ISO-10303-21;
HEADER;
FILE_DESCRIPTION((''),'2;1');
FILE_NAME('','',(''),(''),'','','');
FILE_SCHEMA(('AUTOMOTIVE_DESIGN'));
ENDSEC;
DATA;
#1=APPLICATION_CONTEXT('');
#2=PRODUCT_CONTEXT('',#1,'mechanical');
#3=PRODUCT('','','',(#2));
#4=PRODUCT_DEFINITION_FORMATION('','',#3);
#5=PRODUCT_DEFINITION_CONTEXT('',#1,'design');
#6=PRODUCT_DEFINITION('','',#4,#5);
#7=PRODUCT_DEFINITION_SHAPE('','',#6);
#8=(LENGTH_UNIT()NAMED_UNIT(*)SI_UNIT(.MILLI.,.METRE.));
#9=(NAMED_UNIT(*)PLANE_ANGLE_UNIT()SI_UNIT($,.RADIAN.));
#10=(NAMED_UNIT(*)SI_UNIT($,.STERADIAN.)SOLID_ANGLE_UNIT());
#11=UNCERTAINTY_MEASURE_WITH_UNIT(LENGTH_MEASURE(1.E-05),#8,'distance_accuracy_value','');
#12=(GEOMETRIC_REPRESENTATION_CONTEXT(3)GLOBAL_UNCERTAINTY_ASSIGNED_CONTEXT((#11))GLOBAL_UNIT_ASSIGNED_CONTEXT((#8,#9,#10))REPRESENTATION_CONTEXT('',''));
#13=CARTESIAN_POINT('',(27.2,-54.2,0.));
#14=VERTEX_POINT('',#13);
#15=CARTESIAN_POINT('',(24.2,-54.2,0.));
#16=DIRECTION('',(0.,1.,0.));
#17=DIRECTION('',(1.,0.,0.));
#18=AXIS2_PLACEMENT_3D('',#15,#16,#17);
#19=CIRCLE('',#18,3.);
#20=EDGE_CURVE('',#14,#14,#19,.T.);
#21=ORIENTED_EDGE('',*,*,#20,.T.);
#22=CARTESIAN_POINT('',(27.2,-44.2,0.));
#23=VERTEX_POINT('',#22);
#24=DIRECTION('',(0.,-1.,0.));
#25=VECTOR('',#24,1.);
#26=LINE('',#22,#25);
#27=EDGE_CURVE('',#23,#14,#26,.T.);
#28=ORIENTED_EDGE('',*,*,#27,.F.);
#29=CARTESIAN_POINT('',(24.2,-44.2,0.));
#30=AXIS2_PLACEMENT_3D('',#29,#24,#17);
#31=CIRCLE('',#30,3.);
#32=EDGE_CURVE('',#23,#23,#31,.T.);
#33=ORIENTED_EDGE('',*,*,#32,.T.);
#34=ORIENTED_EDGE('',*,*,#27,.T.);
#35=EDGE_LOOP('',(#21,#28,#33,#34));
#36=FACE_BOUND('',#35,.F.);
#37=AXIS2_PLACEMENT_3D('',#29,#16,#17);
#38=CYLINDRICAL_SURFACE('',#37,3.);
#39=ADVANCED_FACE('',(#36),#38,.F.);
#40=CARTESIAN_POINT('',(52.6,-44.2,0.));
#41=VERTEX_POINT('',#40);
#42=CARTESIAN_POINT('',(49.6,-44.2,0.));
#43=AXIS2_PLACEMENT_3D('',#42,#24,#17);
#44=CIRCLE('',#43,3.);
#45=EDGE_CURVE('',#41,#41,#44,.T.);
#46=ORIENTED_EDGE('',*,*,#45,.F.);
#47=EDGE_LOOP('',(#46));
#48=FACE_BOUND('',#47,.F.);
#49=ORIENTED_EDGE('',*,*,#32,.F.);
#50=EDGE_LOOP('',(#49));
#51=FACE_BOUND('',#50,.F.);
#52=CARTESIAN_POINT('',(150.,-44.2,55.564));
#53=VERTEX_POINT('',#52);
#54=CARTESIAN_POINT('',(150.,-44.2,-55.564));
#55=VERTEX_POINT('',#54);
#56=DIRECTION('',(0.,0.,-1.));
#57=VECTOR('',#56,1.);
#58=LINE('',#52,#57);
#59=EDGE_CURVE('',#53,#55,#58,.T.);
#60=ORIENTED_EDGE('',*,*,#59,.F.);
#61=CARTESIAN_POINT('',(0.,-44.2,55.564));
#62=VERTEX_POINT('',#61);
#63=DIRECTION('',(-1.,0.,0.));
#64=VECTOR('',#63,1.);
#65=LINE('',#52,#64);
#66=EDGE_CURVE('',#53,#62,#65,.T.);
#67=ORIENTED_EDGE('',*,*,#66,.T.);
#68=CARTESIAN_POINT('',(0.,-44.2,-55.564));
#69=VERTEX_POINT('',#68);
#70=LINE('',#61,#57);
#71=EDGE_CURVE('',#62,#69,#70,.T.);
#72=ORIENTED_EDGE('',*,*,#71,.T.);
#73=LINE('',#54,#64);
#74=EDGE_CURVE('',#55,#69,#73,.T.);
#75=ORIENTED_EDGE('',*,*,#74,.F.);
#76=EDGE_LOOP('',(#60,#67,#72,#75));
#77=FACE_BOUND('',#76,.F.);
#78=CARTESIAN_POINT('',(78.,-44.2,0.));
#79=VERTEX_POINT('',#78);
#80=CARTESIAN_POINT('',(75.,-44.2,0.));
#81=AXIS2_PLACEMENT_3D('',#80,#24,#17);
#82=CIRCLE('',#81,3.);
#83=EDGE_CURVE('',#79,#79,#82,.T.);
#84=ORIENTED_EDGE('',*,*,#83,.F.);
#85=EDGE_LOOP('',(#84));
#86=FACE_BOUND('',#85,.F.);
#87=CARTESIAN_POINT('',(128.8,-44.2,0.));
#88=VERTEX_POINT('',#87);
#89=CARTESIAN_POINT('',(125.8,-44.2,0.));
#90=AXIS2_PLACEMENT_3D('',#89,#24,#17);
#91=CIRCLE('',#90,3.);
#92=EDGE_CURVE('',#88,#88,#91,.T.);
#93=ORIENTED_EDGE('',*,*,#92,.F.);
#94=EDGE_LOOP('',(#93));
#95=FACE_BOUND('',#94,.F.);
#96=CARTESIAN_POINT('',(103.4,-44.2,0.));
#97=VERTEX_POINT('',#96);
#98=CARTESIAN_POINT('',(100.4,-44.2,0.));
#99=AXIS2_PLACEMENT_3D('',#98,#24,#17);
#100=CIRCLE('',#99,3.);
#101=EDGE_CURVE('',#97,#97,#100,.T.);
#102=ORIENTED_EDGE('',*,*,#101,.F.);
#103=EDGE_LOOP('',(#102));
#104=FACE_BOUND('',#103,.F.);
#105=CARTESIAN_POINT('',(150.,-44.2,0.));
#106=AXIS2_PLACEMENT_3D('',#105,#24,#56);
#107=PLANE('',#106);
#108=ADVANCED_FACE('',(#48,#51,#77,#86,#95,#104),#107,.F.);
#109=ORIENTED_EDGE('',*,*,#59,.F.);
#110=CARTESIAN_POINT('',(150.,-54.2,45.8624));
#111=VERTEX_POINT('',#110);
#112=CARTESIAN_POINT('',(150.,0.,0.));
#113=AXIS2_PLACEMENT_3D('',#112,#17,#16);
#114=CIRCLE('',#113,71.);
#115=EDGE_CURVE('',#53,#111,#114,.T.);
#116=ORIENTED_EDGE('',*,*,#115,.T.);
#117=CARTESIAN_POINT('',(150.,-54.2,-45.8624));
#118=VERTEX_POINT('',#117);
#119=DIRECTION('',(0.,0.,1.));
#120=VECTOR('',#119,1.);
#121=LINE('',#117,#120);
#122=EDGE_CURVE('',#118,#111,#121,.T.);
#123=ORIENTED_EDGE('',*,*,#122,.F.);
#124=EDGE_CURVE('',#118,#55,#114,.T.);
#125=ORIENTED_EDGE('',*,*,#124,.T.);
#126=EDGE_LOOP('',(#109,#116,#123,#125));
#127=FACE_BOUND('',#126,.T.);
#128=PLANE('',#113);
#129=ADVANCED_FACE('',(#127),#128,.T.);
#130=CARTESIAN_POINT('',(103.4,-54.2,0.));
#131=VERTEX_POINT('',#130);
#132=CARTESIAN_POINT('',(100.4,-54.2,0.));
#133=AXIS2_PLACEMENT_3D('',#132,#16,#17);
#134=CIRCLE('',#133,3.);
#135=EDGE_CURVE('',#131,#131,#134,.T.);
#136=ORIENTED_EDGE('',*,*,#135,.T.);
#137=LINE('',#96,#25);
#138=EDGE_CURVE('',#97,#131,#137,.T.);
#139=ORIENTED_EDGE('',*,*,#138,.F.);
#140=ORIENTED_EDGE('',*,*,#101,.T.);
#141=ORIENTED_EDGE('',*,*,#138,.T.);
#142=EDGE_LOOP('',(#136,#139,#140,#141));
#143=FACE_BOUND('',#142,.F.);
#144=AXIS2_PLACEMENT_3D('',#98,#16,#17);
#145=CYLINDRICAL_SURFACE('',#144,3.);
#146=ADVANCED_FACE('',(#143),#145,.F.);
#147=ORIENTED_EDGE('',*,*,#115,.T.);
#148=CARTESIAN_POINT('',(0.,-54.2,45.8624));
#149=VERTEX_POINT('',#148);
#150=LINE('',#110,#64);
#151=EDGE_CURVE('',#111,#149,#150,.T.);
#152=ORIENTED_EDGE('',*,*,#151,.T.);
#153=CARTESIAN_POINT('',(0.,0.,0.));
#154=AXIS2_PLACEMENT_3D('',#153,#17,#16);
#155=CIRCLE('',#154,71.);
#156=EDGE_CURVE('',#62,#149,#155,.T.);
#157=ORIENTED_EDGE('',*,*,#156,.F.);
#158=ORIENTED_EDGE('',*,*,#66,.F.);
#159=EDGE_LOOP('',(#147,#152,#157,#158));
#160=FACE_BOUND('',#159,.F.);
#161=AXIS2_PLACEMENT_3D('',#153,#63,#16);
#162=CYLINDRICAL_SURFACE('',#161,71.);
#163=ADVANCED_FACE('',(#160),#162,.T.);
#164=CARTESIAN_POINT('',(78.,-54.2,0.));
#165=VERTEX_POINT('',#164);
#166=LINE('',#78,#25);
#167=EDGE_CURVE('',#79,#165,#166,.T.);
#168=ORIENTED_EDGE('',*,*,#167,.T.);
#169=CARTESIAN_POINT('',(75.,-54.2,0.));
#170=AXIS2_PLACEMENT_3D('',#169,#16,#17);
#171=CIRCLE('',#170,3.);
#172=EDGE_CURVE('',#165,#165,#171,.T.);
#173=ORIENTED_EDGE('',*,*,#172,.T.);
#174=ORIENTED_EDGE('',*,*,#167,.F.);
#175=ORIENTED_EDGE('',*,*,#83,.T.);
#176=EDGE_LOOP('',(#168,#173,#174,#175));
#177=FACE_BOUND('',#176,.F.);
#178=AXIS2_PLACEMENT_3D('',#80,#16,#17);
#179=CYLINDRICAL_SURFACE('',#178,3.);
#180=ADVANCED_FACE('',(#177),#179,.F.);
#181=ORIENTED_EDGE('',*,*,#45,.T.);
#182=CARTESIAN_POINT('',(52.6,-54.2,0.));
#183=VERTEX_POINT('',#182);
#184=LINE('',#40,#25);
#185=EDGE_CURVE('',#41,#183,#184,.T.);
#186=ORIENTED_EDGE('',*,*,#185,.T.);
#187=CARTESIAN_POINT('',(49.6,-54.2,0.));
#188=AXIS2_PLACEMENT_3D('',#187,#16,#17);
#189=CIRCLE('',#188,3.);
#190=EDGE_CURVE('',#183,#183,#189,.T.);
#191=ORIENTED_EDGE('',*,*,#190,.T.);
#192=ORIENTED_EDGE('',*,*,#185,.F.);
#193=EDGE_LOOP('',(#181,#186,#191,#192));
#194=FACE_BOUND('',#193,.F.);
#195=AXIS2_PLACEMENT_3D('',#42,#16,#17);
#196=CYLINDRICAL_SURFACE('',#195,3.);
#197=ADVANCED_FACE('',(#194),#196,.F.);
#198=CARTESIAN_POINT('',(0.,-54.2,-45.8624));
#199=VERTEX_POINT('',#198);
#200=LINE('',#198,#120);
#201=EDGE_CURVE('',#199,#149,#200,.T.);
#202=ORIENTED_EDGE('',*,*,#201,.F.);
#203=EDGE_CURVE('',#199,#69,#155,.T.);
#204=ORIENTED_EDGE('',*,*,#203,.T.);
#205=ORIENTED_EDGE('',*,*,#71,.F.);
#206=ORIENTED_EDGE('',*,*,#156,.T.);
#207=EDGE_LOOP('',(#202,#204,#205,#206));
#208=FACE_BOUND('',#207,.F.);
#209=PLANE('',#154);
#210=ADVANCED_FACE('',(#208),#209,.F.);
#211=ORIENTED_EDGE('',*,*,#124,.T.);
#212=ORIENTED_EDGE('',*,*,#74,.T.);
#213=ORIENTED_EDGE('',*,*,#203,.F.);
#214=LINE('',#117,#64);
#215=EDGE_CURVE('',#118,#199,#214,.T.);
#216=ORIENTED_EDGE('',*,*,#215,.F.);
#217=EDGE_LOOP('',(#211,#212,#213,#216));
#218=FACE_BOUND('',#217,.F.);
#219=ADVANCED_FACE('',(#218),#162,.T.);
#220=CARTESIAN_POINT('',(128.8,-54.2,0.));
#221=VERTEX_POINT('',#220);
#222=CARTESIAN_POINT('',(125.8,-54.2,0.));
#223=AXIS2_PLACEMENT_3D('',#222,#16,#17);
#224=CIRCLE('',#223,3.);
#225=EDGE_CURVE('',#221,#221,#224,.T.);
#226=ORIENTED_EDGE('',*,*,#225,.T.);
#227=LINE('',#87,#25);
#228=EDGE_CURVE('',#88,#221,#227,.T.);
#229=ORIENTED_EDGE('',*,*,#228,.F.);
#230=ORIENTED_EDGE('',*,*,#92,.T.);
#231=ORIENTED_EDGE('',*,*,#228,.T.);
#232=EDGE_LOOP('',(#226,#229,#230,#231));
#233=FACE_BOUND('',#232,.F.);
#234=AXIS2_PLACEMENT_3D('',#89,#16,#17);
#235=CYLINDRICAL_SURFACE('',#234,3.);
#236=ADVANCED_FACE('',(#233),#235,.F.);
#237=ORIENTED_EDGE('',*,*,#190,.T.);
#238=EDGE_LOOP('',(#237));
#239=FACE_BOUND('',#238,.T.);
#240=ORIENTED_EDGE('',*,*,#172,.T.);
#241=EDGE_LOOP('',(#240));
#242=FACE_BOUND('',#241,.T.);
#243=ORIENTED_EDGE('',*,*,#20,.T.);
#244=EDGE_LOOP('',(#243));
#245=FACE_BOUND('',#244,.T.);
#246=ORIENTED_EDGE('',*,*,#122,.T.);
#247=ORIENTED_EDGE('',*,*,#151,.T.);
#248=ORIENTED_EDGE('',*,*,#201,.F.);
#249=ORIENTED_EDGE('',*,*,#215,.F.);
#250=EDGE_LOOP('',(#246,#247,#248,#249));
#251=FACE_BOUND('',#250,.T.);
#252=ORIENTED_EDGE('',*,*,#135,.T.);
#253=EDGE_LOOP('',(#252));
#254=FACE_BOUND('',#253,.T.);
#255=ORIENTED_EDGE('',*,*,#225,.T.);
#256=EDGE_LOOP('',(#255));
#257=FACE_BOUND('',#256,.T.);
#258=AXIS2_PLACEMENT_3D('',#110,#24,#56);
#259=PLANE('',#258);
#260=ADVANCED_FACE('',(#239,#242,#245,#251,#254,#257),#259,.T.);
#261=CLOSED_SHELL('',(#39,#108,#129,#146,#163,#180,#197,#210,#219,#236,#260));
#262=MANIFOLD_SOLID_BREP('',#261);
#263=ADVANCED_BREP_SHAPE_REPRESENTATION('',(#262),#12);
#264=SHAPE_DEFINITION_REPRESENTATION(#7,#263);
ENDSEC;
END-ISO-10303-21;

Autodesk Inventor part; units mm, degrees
ref_plane "YZ Plane" through (0, 0, 0) normal (1, 0, 0) x (0, 1, 0)
ref_plane "XZ Plane" through (0, 0, 0) normal (0, 1, 0) x (-1, 0, 0)
ref_plane "XY Plane" through (0, 0, 0) normal (0, 0, 1) x (1, 0, 0)
sketch "Sketch1" plane through (0, 0, 0) normal (1, 0, 0) x (0, 1, 0)
  circle A0 centre (0, 0) radius 71
  dimension "d0" = 142
extrude "Extrusion1" add sketch "Sketch1" along normal blind 150
sketch "Sketch2" plane through (150, 0, 0) normal (1, 0, 0) x (0, 0, -1)
  line L0 (0, 0) -> (0, -44.2)
  circle A0 centre (0, 0) radius 71 projected
  line L1 (-55.564, -44.2) -> (55.564, -44.2)
  dimension "d3" = 44.2
extrude "Extrusion2" cut sketch "Sketch2" against normal blind 150 contours A0 L1 picked at (-0.2063, 32.437)
sketch "Sketch3" plane through (150, 0, 0) normal (1, 0, 0) x (0, 0, -1)
  line L0 (0, 0) -> (0, -54.2)
  arc A0 (-55.564, -44.2) -> (55.564, -44.2) centre (0, 0) ccw projected
  line L1 (-45.8624, -54.2) -> (45.8624, -54.2)
  dimension "d6" = 54.2
extrude "Extrusion3" cut sketch "Sketch3" against normal blind 150
sketch "Sketch6" plane through (150, -44.2, 55.564) normal (0, 1, 0) x (1, 0, 0)
  line L0 (-150, 55.564) -> (-75, 55.564)
  circle A0 centre (-75, 55.564) radius 3
  line L1 (-75, 55.564) -> (-49.6, 55.564)
  line L2 (-49.6, 55.564) -> (-24.2, 55.564)
  line L3 (-75, 55.564) -> (-100.4, 55.564)
  line L4 (-100.4, 55.564) -> (-125.8, 55.564)
  circle A1 centre (-100.4, 55.564) radius 3
  circle A2 centre (-125.8, 55.564) radius 3
  circle A3 centre (-24.2, 55.564) radius 3
  circle A4 centre (-49.6, 55.564) radius 3
  dimension "d51" = 75
  dimension "d52" = 6
  dimension "d53" = 25.4
  dimension "d54" = 25.4
  dimension "d55" = 25.4
  dimension "d56" = 25.4
  dimension "d57" = 6
  dimension "d58" = 6
  dimension "d59" = 6
  dimension "d60" = 6
extrude "Extrusion4" cut sketch "Sketch6" against normal blind 10
thread "Thread1" size "M6x1" class "6H" standard "ANSI Metric M Profile" full length
thread "Thread2" size "M6x1" class "6H" standard "ANSI Metric M Profile" full length
thread "Thread3" size "M6x1" class "6H" standard "ANSI Metric M Profile" full length
thread "Thread4" size "M6x1" class "6H" standard "ANSI Metric M Profile" full length
properties part number "Base"
